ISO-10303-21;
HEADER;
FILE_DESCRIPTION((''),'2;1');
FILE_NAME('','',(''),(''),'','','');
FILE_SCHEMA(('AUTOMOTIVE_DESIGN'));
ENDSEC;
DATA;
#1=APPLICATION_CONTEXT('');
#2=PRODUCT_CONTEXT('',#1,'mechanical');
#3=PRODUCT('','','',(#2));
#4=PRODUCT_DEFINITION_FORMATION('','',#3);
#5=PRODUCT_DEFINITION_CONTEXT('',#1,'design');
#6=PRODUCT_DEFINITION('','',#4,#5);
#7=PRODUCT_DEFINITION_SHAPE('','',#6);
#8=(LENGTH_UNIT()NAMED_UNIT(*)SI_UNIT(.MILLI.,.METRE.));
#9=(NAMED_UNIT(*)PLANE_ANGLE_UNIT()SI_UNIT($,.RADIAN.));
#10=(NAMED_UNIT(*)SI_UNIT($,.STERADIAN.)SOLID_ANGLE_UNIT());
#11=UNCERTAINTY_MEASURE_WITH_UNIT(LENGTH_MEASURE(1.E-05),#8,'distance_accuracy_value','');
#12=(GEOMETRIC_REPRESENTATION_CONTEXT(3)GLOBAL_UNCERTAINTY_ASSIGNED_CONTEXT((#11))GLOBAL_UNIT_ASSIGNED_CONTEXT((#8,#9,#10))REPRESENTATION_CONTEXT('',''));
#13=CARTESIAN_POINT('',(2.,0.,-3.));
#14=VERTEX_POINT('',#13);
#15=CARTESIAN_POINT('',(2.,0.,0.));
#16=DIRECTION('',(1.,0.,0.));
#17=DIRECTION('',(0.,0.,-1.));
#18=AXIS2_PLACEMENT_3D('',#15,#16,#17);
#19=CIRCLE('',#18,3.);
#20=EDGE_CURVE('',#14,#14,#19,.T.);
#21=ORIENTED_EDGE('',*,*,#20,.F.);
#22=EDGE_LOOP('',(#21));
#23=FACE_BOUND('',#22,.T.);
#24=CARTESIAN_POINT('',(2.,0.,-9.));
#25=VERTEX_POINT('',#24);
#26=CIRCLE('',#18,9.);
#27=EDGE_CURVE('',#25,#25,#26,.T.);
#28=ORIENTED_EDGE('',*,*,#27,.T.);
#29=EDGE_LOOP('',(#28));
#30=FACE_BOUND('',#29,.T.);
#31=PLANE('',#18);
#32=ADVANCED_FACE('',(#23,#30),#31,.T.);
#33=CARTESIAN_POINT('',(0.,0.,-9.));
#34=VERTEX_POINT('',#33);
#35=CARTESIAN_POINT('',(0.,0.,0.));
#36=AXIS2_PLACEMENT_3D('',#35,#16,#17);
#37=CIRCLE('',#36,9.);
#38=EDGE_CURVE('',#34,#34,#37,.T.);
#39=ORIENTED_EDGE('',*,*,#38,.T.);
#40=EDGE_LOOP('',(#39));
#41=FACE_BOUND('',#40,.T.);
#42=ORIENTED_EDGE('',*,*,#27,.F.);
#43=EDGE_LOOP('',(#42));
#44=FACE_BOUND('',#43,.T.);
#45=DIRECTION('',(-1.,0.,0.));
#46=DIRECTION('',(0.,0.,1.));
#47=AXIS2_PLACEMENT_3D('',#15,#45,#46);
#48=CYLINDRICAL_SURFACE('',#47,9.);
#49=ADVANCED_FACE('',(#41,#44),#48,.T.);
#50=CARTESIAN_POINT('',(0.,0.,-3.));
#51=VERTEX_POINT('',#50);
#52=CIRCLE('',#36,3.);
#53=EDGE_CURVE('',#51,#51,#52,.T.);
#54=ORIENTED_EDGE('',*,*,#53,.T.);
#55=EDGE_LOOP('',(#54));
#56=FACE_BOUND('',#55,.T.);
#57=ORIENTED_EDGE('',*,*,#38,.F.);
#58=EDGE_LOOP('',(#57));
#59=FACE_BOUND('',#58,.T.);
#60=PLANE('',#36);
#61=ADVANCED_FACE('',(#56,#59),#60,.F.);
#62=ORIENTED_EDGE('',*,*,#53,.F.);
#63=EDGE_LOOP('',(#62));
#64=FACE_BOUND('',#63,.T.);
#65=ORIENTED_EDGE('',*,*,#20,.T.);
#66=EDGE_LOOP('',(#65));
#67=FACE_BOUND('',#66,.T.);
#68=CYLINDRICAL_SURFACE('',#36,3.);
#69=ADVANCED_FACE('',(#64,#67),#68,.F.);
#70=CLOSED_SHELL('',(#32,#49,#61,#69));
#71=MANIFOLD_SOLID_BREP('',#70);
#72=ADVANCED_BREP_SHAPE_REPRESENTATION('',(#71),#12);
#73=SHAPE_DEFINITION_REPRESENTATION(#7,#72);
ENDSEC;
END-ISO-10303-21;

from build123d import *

# Parameters (mm, degrees)
SKETCH1_R           = 9
BOSS_EXTRUDE1_DEPTH = 2
SKETCH2_R           = 3
CUT_EXTRUDE1_DEPTH  = 3


with BuildPart() as part:
    # Sketch1 → Boss-Extrude1 (new body)
    with BuildSketch(Plane(origin=(0, 0, 0), x_dir=(0, 0, -1), z_dir=(1, 0, 0))):
        Circle(SKETCH1_R)
    extrude(amount=BOSS_EXTRUDE1_DEPTH)

    # Sketch2 → Cut-Extrude1 (cut, through all)
    with BuildSketch(Plane(origin=(2, 0, 0), x_dir=(0, 0, -1), z_dir=(1, 0, 0))):
        Circle(SKETCH2_R)
    extrude(amount=-CUT_EXTRUDE1_DEPTH, mode=Mode.SUBTRACT)


solid = part.part
